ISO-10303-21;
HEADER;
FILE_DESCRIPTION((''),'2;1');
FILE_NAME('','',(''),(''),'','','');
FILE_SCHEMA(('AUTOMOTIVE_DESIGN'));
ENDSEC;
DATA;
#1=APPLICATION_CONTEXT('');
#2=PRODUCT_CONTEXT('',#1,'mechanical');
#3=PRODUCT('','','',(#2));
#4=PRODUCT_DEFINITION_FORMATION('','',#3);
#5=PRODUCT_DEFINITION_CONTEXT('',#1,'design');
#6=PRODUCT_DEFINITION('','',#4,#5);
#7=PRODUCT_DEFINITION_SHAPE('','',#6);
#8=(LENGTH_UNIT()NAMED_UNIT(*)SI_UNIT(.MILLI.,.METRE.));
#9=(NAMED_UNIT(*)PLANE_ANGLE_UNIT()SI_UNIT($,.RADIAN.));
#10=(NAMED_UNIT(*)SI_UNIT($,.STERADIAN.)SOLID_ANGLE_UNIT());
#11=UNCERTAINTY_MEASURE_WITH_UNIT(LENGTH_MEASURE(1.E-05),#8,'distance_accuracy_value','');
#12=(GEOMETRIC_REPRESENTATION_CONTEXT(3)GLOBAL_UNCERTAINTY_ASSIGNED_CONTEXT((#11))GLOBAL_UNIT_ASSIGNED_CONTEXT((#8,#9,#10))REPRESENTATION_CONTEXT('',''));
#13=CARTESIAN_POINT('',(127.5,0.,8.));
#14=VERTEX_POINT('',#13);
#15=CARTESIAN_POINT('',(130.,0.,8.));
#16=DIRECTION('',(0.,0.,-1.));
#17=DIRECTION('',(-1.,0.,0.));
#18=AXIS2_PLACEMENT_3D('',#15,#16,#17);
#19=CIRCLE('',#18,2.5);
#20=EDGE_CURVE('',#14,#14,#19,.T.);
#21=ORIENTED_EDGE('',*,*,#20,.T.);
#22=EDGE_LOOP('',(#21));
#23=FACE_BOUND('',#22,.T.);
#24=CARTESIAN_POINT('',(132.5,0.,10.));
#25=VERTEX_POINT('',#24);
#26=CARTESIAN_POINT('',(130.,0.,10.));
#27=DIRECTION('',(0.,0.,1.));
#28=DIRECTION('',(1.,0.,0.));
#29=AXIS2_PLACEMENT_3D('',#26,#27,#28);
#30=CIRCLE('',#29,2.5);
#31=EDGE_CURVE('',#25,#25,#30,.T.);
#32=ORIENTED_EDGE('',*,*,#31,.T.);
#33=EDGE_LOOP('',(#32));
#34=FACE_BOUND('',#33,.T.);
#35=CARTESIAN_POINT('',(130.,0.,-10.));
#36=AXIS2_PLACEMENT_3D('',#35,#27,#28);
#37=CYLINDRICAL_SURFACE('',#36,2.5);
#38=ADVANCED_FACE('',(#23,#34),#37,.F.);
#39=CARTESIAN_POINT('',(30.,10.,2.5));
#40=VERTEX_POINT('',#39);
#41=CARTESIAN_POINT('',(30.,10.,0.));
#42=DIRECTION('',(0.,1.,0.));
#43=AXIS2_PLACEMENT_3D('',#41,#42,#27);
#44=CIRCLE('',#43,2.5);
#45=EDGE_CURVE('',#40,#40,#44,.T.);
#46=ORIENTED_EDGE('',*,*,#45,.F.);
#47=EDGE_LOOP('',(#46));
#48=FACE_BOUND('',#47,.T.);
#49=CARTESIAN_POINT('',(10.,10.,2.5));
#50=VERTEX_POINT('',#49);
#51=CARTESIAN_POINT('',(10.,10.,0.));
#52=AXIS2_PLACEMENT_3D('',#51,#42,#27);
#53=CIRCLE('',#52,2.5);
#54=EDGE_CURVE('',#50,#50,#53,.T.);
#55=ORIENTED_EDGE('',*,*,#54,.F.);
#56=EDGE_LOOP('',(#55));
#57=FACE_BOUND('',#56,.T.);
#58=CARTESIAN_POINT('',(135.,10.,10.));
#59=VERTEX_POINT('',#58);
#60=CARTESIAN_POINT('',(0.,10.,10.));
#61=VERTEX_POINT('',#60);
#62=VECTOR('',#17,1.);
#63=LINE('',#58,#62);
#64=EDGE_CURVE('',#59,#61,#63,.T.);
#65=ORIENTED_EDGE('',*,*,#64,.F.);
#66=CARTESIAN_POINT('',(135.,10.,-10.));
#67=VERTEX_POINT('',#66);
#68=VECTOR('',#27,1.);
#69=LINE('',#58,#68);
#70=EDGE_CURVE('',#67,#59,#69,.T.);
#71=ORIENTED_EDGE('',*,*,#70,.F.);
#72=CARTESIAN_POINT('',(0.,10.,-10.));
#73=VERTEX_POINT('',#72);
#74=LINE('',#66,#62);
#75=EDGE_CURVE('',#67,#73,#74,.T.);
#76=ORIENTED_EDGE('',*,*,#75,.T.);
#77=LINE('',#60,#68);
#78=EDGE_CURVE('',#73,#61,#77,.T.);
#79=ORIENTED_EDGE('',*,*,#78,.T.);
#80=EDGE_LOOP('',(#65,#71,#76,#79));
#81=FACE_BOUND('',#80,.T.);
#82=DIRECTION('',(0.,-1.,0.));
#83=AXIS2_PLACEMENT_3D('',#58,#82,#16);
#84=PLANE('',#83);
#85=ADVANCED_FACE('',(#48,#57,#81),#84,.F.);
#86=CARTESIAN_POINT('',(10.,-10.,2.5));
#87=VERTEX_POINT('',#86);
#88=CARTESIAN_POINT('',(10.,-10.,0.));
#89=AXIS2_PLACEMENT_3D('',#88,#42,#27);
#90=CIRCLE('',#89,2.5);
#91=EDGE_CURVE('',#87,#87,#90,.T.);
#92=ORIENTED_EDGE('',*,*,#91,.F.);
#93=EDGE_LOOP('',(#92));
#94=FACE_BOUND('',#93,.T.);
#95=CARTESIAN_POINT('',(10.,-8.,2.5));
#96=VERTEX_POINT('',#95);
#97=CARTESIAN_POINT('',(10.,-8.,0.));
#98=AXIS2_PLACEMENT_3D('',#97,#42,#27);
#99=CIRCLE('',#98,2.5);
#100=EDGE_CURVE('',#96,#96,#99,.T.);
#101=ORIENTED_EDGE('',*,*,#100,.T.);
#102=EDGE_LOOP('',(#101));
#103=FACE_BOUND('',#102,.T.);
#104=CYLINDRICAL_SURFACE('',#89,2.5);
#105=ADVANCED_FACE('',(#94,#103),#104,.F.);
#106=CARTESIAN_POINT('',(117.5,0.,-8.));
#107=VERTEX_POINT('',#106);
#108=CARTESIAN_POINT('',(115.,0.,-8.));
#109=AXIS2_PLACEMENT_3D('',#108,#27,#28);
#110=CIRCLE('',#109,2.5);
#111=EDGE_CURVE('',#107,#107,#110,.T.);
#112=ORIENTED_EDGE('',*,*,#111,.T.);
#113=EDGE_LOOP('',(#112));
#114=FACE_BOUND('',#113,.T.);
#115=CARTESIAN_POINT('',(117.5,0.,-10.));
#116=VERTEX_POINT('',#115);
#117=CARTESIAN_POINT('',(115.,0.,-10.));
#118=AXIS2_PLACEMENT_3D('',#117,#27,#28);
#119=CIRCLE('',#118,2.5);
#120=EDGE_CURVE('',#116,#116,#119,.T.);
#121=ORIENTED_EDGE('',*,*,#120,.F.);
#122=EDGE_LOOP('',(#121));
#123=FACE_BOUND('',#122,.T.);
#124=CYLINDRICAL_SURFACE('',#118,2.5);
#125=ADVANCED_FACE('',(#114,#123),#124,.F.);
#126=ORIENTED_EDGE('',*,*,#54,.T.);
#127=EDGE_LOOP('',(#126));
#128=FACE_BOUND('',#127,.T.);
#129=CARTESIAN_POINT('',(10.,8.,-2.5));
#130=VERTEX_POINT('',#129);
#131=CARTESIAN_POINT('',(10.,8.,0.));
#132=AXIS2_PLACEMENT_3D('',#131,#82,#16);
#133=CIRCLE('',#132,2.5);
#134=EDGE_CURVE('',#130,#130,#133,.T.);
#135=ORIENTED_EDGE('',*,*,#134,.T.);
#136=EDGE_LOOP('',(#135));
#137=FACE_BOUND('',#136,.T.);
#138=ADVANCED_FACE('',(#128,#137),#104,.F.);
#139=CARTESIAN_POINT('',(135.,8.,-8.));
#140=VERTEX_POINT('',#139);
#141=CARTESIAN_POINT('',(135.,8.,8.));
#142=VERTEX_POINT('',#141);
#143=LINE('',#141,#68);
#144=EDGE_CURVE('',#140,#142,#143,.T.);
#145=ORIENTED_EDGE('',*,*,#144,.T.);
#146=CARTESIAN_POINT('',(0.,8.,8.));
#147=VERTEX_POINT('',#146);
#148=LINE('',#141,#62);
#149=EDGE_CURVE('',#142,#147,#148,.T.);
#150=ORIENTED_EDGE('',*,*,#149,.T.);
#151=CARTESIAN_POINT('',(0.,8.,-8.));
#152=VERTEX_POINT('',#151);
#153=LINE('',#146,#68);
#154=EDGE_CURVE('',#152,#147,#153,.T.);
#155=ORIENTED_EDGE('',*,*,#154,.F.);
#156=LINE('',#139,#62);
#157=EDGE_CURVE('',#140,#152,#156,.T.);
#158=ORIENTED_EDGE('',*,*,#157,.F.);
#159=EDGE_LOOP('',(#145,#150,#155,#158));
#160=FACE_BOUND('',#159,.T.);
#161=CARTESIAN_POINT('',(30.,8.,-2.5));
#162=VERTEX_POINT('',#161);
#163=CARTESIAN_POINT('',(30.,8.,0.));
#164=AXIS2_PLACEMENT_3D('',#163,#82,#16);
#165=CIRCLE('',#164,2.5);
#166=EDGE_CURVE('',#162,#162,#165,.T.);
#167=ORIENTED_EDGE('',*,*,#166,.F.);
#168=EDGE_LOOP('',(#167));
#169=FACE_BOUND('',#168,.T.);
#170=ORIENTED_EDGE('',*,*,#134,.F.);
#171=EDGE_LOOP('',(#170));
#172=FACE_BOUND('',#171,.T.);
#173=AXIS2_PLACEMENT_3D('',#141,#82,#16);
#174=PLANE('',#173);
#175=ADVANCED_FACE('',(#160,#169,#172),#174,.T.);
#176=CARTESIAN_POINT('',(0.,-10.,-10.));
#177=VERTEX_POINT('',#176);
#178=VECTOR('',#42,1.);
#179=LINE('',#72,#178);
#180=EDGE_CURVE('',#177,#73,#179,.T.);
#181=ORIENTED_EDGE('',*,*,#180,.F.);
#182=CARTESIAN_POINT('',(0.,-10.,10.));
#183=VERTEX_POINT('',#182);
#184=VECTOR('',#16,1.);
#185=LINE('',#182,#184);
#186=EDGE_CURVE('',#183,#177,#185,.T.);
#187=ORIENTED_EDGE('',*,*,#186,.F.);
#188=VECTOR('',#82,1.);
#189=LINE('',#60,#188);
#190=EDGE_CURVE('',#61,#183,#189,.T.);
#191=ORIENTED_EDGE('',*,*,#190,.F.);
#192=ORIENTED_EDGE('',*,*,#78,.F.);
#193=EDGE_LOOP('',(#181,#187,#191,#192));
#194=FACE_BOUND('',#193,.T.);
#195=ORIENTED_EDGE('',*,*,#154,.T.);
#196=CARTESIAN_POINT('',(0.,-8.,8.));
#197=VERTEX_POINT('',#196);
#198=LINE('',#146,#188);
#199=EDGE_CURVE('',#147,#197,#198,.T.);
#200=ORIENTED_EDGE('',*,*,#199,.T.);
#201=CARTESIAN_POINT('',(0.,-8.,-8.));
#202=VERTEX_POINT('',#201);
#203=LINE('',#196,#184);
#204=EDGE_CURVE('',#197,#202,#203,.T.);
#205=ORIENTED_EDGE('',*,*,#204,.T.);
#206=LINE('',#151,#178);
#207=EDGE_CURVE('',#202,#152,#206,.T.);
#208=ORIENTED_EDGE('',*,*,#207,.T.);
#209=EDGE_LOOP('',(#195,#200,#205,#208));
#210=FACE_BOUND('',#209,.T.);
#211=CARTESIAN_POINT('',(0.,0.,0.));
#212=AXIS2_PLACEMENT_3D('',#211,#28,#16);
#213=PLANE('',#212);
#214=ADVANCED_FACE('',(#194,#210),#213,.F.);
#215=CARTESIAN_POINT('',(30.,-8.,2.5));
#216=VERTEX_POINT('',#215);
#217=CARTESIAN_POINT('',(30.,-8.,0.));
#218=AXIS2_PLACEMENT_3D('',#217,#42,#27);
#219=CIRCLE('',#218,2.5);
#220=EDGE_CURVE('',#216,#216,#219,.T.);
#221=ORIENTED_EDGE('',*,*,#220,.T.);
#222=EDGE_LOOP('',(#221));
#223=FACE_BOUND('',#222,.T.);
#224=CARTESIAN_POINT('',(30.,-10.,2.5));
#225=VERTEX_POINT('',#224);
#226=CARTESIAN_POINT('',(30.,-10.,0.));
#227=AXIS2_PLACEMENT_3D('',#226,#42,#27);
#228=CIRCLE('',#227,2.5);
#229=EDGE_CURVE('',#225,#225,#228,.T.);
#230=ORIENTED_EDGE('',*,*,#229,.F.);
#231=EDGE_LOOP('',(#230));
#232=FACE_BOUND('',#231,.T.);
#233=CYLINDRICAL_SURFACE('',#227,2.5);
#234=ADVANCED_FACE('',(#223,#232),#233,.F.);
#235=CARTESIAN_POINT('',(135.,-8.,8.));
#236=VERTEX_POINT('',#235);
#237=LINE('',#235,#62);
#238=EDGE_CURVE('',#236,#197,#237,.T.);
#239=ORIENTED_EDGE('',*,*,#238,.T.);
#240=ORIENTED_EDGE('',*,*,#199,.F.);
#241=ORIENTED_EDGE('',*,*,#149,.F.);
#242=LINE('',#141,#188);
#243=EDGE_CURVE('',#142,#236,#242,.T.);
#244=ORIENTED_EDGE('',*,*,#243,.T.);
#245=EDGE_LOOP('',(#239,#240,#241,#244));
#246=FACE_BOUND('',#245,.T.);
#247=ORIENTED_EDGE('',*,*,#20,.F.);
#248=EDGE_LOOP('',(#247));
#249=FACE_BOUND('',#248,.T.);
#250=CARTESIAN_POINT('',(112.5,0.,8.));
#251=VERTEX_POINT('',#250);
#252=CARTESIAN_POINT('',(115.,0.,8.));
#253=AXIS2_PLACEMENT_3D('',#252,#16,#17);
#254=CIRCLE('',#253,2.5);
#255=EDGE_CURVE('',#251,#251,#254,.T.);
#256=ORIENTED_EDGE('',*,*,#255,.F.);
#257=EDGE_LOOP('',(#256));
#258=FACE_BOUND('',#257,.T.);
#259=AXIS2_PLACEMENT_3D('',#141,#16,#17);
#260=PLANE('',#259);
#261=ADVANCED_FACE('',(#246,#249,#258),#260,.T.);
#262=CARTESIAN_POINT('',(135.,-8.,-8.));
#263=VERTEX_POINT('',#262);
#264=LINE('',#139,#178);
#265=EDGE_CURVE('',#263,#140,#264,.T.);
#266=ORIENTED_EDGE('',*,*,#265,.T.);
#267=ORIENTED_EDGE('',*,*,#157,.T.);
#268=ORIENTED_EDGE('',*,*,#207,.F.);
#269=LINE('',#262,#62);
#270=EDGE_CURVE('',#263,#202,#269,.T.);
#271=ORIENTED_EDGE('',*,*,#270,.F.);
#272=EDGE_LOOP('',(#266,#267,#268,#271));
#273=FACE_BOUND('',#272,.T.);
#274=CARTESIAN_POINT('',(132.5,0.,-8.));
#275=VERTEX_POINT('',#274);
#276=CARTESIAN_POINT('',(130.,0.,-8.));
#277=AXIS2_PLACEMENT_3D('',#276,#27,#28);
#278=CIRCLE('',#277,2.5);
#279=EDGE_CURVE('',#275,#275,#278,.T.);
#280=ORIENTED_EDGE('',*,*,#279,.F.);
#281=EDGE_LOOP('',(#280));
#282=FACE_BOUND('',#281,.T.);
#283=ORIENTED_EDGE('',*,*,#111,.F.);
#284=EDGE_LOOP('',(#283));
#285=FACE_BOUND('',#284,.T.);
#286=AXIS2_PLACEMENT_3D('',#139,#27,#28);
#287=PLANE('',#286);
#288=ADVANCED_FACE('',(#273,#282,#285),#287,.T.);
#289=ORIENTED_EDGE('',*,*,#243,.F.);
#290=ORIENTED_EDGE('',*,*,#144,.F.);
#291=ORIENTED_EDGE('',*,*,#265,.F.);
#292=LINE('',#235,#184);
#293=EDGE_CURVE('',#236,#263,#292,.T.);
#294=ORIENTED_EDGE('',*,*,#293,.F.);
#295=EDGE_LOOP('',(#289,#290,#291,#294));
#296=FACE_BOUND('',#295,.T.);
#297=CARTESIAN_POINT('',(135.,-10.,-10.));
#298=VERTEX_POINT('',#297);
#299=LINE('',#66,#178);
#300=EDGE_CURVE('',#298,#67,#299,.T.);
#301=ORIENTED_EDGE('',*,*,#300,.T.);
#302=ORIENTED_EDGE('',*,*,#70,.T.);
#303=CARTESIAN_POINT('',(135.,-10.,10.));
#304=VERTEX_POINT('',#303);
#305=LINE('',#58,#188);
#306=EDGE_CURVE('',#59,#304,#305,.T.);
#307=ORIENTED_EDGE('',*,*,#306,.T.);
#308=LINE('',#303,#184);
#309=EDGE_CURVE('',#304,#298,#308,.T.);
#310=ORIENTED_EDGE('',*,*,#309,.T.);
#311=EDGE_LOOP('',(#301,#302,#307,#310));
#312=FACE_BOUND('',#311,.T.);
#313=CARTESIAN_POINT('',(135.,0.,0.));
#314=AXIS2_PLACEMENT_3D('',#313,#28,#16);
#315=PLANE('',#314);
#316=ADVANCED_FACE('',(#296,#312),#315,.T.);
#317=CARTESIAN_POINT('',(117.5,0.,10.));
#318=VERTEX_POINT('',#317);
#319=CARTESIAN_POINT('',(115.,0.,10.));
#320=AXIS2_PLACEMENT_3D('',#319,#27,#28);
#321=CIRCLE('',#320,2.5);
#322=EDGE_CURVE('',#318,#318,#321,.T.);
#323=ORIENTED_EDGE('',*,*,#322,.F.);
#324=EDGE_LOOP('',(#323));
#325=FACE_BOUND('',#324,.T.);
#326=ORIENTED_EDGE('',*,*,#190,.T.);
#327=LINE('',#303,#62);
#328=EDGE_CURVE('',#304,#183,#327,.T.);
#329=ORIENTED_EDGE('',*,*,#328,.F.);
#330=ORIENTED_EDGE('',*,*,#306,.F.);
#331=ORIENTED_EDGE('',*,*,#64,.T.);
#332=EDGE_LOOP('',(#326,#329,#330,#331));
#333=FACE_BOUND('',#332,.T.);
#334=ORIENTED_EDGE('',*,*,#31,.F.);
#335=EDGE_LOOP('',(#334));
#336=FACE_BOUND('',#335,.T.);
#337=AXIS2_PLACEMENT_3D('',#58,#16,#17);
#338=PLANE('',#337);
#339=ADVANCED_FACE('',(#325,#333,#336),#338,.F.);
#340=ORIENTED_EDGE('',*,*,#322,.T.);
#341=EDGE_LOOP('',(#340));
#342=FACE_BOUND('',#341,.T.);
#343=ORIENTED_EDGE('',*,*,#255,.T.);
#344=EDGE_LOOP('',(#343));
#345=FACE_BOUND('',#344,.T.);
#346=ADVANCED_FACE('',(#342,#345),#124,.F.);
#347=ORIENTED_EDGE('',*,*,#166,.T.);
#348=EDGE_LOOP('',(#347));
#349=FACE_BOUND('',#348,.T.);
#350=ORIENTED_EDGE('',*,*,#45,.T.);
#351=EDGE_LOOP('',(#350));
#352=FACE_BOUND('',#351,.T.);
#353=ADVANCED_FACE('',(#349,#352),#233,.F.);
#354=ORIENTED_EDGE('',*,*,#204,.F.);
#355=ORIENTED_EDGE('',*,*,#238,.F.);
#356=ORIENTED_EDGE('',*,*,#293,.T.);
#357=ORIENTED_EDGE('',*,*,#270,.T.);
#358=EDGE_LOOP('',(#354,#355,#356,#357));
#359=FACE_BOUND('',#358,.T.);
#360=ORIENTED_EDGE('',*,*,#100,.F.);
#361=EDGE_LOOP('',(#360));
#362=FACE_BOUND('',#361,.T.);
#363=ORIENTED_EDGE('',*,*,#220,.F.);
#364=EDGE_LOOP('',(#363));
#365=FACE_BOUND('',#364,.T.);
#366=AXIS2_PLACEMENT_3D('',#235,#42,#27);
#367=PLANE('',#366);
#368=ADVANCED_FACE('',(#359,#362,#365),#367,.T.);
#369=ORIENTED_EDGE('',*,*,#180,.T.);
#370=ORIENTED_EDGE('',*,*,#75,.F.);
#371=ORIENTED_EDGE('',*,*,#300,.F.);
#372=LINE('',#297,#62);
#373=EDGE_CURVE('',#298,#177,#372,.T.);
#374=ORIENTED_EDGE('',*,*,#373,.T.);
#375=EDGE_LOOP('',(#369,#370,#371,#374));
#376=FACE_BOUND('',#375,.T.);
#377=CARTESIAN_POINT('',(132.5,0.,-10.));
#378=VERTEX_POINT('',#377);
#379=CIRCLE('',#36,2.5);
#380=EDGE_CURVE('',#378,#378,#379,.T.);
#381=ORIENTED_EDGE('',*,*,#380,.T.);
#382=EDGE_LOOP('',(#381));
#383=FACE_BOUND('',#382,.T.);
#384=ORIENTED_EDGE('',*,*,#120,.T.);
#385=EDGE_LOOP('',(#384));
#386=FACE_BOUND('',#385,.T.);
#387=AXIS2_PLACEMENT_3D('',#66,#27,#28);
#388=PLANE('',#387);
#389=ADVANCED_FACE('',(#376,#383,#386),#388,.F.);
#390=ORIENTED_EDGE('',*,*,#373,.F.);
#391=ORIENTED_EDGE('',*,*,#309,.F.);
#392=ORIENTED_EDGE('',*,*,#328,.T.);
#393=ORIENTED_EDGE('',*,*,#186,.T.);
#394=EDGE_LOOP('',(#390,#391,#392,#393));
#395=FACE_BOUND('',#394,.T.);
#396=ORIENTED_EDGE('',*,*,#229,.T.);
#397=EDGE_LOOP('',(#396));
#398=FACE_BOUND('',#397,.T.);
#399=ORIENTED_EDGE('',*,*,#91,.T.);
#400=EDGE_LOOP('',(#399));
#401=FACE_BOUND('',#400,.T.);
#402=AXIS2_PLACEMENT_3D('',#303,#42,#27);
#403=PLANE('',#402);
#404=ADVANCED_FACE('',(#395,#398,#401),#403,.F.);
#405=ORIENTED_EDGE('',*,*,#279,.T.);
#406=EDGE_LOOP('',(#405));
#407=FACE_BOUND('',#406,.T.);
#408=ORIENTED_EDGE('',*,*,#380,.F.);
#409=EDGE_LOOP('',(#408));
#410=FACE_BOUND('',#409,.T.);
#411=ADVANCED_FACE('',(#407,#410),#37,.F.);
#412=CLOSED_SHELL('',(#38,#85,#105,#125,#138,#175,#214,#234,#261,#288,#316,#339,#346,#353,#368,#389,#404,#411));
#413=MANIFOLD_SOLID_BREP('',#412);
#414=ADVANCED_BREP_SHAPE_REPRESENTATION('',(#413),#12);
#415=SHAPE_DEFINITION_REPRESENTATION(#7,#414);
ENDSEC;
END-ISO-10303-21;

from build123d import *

# Parameters (mm, degrees)
SKETCH1_W           = 20
SKETCH1_H           = 20
SKETCH1_W_2         = 16
SKETCH1_H_2         = 16
BOSS_EXTRUDE1_DEPTH = 135
SKETCH2_R           = 2.5
CUT_EXTRUDE1_DEPTH  = 137.839321834
SKETCH3_R           = 2.5
CUT_EXTRUDE2_DEPTH  = 137.839321834


with BuildPart() as part:
    # Sketch1 → Boss-Extrude1 (new body)
    with BuildSketch(Plane(origin=(0, 0, 0), x_dir=(0, 0, -1), z_dir=(1, 0, 0))):
        Rectangle(SKETCH1_W, SKETCH1_H)
        Rectangle(SKETCH1_W_2, SKETCH1_H_2, mode=Mode.SUBTRACT)
    extrude(amount=BOSS_EXTRUDE1_DEPTH)

    # Sketch2 → Cut-Extrude1 (cut, through all)
    with BuildSketch(Plane.XY.offset(10)):
        with Locations((130, 0)):
            Circle(SKETCH2_R)
        with Locations((115, 0)):
            Circle(SKETCH2_R)
    extrude(amount=-CUT_EXTRUDE1_DEPTH, mode=Mode.SUBTRACT)

    # Sketch3 → Cut-Extrude2 (cut, through all)
    with BuildSketch(Plane(origin=(0, 10, 0), x_dir=(1, 0, 0), z_dir=(0, 1, 0))):
        with Locations(Location((10, 0, 0), (0, 0, 270))):
            Circle(SKETCH3_R)
        with Locations(Location((30, 0, 0), (0, 0, 270))):
            Circle(SKETCH3_R)
    extrude(amount=-CUT_EXTRUDE2_DEPTH, mode=Mode.SUBTRACT)


solid = part.part
